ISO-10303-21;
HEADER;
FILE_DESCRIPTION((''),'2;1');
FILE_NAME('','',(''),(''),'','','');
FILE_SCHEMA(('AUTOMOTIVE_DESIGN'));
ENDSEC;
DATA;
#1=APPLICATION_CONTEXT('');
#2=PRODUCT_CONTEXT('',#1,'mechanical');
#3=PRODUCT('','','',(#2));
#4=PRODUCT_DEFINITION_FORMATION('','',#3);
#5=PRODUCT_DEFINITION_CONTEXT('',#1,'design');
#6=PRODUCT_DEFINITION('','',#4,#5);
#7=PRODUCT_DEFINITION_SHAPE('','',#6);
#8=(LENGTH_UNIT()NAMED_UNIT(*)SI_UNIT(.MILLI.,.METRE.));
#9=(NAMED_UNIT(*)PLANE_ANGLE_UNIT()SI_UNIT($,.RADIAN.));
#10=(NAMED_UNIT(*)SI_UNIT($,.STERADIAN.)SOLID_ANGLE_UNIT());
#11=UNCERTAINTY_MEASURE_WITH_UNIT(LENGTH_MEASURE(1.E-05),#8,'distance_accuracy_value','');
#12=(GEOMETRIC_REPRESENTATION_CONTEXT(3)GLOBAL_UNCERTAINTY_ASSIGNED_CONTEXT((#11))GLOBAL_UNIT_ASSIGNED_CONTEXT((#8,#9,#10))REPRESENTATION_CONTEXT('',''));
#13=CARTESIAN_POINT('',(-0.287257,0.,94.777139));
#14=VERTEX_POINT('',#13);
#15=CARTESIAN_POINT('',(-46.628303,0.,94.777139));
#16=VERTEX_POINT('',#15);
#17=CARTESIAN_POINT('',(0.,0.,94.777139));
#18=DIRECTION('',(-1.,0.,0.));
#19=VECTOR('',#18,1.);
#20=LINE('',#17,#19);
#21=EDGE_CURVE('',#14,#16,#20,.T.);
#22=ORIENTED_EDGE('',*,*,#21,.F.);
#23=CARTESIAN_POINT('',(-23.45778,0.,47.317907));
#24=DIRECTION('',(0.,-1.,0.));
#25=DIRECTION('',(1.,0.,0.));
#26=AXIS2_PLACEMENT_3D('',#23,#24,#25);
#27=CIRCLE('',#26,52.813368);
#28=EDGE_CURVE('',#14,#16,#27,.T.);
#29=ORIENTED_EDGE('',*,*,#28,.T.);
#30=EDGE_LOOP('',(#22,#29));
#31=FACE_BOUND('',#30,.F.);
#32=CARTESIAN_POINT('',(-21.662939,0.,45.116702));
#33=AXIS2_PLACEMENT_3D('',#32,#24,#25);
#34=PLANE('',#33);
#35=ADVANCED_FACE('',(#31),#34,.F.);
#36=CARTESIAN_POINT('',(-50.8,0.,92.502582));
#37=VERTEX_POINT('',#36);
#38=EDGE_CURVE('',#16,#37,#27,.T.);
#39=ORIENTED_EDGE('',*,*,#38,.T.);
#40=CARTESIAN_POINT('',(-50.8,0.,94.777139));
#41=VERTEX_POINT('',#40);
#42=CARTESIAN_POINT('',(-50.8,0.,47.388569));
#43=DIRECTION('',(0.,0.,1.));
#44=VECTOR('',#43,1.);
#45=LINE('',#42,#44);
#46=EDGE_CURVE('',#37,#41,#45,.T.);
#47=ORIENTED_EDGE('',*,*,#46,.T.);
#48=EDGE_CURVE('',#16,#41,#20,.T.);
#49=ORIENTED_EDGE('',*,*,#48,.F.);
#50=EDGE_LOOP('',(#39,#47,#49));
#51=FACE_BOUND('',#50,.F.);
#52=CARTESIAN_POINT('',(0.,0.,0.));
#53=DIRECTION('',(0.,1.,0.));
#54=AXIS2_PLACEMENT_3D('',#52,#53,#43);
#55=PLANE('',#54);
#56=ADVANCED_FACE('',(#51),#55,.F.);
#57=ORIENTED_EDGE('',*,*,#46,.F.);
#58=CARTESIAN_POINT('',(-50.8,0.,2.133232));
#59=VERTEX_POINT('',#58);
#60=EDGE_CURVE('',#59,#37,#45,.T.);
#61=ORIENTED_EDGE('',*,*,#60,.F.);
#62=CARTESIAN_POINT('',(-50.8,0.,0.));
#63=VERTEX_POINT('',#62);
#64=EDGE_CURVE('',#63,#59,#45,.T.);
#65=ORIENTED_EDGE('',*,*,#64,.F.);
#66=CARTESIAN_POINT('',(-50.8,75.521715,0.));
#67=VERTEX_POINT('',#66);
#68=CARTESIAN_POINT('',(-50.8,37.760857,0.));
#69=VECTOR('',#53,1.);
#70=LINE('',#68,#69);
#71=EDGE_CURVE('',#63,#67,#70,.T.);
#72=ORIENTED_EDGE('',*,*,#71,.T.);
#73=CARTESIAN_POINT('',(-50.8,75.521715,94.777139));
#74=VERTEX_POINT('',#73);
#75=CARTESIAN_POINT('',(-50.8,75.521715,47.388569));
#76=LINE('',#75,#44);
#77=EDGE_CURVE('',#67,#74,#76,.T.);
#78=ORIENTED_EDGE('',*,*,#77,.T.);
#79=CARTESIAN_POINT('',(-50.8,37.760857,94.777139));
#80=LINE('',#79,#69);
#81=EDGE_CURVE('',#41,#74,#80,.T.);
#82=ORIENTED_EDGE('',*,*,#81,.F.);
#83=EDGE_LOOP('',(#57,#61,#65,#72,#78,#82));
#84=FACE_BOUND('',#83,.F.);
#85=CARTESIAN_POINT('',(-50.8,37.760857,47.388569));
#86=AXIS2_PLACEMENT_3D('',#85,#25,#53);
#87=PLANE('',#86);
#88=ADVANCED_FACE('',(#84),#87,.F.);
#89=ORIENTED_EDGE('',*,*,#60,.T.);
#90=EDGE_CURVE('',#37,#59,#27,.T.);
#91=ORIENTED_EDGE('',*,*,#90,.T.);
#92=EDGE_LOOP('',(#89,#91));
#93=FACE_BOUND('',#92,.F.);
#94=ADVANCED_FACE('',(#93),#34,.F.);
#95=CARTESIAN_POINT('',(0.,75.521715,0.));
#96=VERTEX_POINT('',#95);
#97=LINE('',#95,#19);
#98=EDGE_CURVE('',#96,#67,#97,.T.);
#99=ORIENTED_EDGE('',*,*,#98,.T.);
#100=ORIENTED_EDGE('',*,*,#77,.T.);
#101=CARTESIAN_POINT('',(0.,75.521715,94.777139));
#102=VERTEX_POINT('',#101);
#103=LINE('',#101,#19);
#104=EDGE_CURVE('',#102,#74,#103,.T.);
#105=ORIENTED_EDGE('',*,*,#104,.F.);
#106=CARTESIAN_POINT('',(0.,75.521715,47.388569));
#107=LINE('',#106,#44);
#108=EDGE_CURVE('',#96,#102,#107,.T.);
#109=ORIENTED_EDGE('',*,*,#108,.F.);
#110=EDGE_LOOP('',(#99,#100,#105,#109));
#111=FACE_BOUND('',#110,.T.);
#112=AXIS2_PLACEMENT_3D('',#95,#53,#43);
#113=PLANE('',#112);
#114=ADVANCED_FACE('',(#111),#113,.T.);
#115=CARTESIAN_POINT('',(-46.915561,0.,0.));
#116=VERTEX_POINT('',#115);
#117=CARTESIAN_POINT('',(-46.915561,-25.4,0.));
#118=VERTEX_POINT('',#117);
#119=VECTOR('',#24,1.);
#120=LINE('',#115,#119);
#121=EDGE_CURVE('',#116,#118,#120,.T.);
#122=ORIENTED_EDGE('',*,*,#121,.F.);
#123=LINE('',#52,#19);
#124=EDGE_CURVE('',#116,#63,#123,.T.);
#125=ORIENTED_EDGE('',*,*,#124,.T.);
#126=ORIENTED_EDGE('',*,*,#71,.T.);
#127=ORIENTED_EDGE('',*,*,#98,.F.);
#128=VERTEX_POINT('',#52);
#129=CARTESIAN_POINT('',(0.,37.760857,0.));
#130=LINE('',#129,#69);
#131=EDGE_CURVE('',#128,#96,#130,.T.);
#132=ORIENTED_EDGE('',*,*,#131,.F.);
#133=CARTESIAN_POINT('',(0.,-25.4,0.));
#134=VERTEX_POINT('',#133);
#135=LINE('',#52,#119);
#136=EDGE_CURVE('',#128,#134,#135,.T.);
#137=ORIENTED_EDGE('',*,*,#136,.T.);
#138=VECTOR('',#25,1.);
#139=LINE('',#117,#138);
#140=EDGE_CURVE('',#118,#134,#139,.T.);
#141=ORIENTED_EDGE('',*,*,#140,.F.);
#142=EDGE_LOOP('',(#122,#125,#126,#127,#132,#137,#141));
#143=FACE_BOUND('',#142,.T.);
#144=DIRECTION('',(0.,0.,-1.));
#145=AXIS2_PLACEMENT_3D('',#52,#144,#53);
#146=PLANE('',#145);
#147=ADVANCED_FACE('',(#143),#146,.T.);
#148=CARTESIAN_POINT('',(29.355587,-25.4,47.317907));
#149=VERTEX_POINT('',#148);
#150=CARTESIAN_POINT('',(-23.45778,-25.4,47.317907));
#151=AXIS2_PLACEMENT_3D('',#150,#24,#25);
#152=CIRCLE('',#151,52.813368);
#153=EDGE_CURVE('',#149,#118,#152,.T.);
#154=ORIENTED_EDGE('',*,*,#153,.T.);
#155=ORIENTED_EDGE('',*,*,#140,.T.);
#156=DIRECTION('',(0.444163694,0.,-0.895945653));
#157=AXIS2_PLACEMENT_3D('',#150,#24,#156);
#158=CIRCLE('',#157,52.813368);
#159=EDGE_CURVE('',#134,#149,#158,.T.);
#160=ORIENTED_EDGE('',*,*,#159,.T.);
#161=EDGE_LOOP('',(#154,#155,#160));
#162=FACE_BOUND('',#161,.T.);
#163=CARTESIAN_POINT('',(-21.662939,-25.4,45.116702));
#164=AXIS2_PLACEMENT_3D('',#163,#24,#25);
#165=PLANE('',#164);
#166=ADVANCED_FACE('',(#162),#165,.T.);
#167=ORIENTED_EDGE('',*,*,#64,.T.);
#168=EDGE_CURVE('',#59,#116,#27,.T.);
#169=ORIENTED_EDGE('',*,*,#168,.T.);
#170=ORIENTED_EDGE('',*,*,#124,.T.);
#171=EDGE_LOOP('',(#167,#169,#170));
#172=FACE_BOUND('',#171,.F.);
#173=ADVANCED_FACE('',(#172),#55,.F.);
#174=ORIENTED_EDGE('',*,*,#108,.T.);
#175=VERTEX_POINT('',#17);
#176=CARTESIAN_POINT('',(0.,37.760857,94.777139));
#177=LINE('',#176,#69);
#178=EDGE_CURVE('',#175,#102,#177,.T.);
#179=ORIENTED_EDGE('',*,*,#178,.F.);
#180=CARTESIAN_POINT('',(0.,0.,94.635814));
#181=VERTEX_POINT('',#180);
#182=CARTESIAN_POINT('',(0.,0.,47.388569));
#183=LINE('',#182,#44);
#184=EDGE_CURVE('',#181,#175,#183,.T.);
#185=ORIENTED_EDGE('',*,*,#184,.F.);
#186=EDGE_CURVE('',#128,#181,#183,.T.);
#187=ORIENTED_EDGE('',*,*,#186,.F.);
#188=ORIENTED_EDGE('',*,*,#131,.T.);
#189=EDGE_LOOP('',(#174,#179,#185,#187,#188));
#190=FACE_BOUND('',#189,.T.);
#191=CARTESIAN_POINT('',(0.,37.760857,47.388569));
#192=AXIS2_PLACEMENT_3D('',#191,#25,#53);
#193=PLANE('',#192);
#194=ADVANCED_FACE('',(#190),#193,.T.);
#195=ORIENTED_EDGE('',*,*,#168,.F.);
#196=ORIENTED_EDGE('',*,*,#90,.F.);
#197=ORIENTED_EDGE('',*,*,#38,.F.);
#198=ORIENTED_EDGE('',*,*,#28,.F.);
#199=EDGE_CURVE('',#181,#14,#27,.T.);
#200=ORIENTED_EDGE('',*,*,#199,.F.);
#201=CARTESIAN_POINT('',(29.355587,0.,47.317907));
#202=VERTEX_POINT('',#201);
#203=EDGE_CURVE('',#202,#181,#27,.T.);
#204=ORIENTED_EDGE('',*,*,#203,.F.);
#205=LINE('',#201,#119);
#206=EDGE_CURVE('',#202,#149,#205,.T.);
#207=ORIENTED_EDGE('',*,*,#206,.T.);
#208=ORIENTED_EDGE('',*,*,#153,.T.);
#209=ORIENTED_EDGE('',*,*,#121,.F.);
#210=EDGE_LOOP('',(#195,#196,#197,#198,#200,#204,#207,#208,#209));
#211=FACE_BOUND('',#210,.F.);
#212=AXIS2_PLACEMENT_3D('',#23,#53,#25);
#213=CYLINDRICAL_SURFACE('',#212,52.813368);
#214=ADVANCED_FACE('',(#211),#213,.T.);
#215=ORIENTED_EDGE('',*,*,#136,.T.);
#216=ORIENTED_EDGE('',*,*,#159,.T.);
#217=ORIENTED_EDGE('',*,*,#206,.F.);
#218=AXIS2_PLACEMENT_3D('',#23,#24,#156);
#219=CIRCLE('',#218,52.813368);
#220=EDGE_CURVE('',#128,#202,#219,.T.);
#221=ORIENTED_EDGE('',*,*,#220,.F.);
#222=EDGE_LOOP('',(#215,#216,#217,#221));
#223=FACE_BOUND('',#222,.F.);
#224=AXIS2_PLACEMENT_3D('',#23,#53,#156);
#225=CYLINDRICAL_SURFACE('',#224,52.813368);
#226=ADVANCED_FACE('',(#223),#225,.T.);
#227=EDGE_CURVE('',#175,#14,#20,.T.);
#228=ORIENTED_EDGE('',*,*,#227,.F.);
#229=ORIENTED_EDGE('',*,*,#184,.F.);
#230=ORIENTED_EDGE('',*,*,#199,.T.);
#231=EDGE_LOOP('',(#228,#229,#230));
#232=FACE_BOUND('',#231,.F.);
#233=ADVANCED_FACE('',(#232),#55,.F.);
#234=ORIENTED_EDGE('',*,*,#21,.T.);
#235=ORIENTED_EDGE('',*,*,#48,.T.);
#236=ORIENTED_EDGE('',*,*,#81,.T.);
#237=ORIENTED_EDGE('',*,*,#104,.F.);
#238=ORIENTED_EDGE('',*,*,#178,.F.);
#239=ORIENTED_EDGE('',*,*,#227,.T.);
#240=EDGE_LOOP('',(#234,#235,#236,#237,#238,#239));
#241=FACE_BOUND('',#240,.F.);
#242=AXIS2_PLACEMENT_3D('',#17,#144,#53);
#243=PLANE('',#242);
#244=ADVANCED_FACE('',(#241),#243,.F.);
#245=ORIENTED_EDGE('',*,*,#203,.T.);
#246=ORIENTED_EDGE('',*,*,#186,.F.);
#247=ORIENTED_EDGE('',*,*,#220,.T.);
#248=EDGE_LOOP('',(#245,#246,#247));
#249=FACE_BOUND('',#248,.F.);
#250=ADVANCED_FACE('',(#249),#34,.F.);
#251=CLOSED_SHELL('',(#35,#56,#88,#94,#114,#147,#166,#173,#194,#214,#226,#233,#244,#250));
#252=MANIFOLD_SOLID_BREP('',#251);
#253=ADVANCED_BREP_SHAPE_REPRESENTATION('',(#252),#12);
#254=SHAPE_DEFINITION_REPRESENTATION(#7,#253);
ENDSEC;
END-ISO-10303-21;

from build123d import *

# Parameters (mm, degrees)
F1_DEPTH = 25.4
F2_W     = 75.5217149854
F2_H     = 94.7771389037
F3_DEPTH = 50.8


with BuildPart() as f1:
    # F0 (on Front) → F1 (new body)
    with BuildSketch(Plane.XZ):
        with BuildLine():
            ThreePointArc((29.3555872232, 47.3179072142), (-51.2999016475, 92.1962772504), (-46.9155609608, 0))
            Line((-46.9155609608, 0), (0, 0))
            ThreePointArc((0, 0), (21.4205895558, 19.475786047), (29.3555872232, 47.3179072142))
        make_face()
    extrude(amount=F1_DEPTH)

    # F2 (on Right) → F3 (join)
    with BuildSketch(Plane.YZ):
        with Locations((37.7608574927, 47.3885694519)):
            Rectangle(F2_W, F2_H)
    extrude(amount=-F3_DEPTH)


solid = f1.part
